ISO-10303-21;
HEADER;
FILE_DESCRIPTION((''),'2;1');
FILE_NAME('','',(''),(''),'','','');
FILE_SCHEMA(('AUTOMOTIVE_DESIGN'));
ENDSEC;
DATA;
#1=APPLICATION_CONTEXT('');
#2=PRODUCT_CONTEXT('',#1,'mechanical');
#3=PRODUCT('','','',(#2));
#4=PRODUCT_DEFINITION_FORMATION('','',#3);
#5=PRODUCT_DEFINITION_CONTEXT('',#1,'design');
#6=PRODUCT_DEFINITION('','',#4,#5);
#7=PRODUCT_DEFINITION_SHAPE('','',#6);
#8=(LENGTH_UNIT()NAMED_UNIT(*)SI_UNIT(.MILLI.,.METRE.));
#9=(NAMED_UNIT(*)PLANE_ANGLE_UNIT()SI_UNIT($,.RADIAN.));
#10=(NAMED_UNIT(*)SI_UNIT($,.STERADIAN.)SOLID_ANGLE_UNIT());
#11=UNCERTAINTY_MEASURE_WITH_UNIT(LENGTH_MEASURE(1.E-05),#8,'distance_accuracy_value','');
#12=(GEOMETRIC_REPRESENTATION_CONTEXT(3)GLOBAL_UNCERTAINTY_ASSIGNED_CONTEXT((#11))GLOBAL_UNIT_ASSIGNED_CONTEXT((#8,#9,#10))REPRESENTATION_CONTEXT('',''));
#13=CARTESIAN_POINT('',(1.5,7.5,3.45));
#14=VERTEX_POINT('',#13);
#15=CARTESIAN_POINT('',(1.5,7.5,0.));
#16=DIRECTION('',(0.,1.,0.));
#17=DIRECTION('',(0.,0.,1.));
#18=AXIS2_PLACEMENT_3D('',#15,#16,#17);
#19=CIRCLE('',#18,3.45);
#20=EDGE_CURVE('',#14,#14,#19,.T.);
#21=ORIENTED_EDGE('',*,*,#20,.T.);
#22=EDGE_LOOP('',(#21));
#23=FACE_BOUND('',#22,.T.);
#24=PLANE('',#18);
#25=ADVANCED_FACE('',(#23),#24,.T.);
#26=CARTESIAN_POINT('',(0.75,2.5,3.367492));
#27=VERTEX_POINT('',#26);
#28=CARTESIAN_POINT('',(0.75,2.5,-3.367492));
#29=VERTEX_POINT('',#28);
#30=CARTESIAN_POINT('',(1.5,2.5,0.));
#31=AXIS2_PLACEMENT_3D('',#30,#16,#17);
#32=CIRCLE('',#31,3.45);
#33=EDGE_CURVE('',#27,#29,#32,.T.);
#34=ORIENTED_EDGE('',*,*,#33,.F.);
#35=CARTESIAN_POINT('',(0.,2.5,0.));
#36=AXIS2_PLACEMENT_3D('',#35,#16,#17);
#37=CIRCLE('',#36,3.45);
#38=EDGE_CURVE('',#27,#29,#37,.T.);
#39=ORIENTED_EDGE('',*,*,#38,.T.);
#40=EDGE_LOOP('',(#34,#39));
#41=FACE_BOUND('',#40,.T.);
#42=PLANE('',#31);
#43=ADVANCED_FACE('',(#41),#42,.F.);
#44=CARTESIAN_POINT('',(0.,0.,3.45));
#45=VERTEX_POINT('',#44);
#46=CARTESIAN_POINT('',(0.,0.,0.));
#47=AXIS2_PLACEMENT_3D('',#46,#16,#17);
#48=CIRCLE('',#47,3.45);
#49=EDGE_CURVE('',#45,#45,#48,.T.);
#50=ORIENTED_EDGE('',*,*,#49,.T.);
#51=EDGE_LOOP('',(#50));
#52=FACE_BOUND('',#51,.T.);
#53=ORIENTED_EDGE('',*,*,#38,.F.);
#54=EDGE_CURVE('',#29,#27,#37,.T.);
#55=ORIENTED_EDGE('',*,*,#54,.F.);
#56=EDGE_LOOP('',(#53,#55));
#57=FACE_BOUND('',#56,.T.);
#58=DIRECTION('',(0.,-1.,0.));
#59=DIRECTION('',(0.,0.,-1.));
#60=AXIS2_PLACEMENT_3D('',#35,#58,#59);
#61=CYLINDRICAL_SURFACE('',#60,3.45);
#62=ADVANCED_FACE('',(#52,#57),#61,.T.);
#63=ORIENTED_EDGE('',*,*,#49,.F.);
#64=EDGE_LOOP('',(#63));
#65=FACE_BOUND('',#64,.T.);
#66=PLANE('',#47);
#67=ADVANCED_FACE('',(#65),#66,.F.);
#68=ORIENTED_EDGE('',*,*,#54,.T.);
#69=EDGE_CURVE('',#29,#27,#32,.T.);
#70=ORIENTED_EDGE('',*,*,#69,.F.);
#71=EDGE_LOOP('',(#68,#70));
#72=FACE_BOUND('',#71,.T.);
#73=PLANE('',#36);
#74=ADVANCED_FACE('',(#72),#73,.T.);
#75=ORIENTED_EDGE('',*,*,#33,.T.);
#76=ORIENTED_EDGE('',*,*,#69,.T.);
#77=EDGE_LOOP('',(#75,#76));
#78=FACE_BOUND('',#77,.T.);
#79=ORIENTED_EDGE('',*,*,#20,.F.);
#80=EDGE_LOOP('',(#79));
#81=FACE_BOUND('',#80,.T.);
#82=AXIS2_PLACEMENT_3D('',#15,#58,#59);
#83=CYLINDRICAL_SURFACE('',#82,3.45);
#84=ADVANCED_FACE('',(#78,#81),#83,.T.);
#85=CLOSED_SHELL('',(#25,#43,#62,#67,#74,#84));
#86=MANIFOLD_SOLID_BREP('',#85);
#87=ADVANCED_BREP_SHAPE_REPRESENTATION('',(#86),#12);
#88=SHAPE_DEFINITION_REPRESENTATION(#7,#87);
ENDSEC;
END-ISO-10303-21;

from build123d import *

# Parameters (mm, degrees)
SKETCH1_R           = 3.45
BOSS_EXTRUDE1_DEPTH = 2.5
SKETCH2_R           = 3.45
BOSS_EXTRUDE2_DEPTH = 5


with BuildPart() as part:
    # Sketch1 → Boss-Extrude1 (new body)
    with BuildSketch(Plane(origin=(0, 0, 0), x_dir=(1, 0, 0), z_dir=(0, 1, 0))):
        with Locations(Location((0, 0, 0), (0, 0, 270))):
            Circle(SKETCH1_R)
    extrude(amount=BOSS_EXTRUDE1_DEPTH)

    # Sketch2 → Boss-Extrude2 (add)
    with BuildSketch(Plane(origin=(0, 2.5, 0), x_dir=(1, 0, 0), z_dir=(0, 1, 0))):
        with Locations(Location((1.5, 0, 0), (0, 0, 102.555857799))):
            Circle(SKETCH2_R)
    extrude(amount=BOSS_EXTRUDE2_DEPTH)


solid = part.part
